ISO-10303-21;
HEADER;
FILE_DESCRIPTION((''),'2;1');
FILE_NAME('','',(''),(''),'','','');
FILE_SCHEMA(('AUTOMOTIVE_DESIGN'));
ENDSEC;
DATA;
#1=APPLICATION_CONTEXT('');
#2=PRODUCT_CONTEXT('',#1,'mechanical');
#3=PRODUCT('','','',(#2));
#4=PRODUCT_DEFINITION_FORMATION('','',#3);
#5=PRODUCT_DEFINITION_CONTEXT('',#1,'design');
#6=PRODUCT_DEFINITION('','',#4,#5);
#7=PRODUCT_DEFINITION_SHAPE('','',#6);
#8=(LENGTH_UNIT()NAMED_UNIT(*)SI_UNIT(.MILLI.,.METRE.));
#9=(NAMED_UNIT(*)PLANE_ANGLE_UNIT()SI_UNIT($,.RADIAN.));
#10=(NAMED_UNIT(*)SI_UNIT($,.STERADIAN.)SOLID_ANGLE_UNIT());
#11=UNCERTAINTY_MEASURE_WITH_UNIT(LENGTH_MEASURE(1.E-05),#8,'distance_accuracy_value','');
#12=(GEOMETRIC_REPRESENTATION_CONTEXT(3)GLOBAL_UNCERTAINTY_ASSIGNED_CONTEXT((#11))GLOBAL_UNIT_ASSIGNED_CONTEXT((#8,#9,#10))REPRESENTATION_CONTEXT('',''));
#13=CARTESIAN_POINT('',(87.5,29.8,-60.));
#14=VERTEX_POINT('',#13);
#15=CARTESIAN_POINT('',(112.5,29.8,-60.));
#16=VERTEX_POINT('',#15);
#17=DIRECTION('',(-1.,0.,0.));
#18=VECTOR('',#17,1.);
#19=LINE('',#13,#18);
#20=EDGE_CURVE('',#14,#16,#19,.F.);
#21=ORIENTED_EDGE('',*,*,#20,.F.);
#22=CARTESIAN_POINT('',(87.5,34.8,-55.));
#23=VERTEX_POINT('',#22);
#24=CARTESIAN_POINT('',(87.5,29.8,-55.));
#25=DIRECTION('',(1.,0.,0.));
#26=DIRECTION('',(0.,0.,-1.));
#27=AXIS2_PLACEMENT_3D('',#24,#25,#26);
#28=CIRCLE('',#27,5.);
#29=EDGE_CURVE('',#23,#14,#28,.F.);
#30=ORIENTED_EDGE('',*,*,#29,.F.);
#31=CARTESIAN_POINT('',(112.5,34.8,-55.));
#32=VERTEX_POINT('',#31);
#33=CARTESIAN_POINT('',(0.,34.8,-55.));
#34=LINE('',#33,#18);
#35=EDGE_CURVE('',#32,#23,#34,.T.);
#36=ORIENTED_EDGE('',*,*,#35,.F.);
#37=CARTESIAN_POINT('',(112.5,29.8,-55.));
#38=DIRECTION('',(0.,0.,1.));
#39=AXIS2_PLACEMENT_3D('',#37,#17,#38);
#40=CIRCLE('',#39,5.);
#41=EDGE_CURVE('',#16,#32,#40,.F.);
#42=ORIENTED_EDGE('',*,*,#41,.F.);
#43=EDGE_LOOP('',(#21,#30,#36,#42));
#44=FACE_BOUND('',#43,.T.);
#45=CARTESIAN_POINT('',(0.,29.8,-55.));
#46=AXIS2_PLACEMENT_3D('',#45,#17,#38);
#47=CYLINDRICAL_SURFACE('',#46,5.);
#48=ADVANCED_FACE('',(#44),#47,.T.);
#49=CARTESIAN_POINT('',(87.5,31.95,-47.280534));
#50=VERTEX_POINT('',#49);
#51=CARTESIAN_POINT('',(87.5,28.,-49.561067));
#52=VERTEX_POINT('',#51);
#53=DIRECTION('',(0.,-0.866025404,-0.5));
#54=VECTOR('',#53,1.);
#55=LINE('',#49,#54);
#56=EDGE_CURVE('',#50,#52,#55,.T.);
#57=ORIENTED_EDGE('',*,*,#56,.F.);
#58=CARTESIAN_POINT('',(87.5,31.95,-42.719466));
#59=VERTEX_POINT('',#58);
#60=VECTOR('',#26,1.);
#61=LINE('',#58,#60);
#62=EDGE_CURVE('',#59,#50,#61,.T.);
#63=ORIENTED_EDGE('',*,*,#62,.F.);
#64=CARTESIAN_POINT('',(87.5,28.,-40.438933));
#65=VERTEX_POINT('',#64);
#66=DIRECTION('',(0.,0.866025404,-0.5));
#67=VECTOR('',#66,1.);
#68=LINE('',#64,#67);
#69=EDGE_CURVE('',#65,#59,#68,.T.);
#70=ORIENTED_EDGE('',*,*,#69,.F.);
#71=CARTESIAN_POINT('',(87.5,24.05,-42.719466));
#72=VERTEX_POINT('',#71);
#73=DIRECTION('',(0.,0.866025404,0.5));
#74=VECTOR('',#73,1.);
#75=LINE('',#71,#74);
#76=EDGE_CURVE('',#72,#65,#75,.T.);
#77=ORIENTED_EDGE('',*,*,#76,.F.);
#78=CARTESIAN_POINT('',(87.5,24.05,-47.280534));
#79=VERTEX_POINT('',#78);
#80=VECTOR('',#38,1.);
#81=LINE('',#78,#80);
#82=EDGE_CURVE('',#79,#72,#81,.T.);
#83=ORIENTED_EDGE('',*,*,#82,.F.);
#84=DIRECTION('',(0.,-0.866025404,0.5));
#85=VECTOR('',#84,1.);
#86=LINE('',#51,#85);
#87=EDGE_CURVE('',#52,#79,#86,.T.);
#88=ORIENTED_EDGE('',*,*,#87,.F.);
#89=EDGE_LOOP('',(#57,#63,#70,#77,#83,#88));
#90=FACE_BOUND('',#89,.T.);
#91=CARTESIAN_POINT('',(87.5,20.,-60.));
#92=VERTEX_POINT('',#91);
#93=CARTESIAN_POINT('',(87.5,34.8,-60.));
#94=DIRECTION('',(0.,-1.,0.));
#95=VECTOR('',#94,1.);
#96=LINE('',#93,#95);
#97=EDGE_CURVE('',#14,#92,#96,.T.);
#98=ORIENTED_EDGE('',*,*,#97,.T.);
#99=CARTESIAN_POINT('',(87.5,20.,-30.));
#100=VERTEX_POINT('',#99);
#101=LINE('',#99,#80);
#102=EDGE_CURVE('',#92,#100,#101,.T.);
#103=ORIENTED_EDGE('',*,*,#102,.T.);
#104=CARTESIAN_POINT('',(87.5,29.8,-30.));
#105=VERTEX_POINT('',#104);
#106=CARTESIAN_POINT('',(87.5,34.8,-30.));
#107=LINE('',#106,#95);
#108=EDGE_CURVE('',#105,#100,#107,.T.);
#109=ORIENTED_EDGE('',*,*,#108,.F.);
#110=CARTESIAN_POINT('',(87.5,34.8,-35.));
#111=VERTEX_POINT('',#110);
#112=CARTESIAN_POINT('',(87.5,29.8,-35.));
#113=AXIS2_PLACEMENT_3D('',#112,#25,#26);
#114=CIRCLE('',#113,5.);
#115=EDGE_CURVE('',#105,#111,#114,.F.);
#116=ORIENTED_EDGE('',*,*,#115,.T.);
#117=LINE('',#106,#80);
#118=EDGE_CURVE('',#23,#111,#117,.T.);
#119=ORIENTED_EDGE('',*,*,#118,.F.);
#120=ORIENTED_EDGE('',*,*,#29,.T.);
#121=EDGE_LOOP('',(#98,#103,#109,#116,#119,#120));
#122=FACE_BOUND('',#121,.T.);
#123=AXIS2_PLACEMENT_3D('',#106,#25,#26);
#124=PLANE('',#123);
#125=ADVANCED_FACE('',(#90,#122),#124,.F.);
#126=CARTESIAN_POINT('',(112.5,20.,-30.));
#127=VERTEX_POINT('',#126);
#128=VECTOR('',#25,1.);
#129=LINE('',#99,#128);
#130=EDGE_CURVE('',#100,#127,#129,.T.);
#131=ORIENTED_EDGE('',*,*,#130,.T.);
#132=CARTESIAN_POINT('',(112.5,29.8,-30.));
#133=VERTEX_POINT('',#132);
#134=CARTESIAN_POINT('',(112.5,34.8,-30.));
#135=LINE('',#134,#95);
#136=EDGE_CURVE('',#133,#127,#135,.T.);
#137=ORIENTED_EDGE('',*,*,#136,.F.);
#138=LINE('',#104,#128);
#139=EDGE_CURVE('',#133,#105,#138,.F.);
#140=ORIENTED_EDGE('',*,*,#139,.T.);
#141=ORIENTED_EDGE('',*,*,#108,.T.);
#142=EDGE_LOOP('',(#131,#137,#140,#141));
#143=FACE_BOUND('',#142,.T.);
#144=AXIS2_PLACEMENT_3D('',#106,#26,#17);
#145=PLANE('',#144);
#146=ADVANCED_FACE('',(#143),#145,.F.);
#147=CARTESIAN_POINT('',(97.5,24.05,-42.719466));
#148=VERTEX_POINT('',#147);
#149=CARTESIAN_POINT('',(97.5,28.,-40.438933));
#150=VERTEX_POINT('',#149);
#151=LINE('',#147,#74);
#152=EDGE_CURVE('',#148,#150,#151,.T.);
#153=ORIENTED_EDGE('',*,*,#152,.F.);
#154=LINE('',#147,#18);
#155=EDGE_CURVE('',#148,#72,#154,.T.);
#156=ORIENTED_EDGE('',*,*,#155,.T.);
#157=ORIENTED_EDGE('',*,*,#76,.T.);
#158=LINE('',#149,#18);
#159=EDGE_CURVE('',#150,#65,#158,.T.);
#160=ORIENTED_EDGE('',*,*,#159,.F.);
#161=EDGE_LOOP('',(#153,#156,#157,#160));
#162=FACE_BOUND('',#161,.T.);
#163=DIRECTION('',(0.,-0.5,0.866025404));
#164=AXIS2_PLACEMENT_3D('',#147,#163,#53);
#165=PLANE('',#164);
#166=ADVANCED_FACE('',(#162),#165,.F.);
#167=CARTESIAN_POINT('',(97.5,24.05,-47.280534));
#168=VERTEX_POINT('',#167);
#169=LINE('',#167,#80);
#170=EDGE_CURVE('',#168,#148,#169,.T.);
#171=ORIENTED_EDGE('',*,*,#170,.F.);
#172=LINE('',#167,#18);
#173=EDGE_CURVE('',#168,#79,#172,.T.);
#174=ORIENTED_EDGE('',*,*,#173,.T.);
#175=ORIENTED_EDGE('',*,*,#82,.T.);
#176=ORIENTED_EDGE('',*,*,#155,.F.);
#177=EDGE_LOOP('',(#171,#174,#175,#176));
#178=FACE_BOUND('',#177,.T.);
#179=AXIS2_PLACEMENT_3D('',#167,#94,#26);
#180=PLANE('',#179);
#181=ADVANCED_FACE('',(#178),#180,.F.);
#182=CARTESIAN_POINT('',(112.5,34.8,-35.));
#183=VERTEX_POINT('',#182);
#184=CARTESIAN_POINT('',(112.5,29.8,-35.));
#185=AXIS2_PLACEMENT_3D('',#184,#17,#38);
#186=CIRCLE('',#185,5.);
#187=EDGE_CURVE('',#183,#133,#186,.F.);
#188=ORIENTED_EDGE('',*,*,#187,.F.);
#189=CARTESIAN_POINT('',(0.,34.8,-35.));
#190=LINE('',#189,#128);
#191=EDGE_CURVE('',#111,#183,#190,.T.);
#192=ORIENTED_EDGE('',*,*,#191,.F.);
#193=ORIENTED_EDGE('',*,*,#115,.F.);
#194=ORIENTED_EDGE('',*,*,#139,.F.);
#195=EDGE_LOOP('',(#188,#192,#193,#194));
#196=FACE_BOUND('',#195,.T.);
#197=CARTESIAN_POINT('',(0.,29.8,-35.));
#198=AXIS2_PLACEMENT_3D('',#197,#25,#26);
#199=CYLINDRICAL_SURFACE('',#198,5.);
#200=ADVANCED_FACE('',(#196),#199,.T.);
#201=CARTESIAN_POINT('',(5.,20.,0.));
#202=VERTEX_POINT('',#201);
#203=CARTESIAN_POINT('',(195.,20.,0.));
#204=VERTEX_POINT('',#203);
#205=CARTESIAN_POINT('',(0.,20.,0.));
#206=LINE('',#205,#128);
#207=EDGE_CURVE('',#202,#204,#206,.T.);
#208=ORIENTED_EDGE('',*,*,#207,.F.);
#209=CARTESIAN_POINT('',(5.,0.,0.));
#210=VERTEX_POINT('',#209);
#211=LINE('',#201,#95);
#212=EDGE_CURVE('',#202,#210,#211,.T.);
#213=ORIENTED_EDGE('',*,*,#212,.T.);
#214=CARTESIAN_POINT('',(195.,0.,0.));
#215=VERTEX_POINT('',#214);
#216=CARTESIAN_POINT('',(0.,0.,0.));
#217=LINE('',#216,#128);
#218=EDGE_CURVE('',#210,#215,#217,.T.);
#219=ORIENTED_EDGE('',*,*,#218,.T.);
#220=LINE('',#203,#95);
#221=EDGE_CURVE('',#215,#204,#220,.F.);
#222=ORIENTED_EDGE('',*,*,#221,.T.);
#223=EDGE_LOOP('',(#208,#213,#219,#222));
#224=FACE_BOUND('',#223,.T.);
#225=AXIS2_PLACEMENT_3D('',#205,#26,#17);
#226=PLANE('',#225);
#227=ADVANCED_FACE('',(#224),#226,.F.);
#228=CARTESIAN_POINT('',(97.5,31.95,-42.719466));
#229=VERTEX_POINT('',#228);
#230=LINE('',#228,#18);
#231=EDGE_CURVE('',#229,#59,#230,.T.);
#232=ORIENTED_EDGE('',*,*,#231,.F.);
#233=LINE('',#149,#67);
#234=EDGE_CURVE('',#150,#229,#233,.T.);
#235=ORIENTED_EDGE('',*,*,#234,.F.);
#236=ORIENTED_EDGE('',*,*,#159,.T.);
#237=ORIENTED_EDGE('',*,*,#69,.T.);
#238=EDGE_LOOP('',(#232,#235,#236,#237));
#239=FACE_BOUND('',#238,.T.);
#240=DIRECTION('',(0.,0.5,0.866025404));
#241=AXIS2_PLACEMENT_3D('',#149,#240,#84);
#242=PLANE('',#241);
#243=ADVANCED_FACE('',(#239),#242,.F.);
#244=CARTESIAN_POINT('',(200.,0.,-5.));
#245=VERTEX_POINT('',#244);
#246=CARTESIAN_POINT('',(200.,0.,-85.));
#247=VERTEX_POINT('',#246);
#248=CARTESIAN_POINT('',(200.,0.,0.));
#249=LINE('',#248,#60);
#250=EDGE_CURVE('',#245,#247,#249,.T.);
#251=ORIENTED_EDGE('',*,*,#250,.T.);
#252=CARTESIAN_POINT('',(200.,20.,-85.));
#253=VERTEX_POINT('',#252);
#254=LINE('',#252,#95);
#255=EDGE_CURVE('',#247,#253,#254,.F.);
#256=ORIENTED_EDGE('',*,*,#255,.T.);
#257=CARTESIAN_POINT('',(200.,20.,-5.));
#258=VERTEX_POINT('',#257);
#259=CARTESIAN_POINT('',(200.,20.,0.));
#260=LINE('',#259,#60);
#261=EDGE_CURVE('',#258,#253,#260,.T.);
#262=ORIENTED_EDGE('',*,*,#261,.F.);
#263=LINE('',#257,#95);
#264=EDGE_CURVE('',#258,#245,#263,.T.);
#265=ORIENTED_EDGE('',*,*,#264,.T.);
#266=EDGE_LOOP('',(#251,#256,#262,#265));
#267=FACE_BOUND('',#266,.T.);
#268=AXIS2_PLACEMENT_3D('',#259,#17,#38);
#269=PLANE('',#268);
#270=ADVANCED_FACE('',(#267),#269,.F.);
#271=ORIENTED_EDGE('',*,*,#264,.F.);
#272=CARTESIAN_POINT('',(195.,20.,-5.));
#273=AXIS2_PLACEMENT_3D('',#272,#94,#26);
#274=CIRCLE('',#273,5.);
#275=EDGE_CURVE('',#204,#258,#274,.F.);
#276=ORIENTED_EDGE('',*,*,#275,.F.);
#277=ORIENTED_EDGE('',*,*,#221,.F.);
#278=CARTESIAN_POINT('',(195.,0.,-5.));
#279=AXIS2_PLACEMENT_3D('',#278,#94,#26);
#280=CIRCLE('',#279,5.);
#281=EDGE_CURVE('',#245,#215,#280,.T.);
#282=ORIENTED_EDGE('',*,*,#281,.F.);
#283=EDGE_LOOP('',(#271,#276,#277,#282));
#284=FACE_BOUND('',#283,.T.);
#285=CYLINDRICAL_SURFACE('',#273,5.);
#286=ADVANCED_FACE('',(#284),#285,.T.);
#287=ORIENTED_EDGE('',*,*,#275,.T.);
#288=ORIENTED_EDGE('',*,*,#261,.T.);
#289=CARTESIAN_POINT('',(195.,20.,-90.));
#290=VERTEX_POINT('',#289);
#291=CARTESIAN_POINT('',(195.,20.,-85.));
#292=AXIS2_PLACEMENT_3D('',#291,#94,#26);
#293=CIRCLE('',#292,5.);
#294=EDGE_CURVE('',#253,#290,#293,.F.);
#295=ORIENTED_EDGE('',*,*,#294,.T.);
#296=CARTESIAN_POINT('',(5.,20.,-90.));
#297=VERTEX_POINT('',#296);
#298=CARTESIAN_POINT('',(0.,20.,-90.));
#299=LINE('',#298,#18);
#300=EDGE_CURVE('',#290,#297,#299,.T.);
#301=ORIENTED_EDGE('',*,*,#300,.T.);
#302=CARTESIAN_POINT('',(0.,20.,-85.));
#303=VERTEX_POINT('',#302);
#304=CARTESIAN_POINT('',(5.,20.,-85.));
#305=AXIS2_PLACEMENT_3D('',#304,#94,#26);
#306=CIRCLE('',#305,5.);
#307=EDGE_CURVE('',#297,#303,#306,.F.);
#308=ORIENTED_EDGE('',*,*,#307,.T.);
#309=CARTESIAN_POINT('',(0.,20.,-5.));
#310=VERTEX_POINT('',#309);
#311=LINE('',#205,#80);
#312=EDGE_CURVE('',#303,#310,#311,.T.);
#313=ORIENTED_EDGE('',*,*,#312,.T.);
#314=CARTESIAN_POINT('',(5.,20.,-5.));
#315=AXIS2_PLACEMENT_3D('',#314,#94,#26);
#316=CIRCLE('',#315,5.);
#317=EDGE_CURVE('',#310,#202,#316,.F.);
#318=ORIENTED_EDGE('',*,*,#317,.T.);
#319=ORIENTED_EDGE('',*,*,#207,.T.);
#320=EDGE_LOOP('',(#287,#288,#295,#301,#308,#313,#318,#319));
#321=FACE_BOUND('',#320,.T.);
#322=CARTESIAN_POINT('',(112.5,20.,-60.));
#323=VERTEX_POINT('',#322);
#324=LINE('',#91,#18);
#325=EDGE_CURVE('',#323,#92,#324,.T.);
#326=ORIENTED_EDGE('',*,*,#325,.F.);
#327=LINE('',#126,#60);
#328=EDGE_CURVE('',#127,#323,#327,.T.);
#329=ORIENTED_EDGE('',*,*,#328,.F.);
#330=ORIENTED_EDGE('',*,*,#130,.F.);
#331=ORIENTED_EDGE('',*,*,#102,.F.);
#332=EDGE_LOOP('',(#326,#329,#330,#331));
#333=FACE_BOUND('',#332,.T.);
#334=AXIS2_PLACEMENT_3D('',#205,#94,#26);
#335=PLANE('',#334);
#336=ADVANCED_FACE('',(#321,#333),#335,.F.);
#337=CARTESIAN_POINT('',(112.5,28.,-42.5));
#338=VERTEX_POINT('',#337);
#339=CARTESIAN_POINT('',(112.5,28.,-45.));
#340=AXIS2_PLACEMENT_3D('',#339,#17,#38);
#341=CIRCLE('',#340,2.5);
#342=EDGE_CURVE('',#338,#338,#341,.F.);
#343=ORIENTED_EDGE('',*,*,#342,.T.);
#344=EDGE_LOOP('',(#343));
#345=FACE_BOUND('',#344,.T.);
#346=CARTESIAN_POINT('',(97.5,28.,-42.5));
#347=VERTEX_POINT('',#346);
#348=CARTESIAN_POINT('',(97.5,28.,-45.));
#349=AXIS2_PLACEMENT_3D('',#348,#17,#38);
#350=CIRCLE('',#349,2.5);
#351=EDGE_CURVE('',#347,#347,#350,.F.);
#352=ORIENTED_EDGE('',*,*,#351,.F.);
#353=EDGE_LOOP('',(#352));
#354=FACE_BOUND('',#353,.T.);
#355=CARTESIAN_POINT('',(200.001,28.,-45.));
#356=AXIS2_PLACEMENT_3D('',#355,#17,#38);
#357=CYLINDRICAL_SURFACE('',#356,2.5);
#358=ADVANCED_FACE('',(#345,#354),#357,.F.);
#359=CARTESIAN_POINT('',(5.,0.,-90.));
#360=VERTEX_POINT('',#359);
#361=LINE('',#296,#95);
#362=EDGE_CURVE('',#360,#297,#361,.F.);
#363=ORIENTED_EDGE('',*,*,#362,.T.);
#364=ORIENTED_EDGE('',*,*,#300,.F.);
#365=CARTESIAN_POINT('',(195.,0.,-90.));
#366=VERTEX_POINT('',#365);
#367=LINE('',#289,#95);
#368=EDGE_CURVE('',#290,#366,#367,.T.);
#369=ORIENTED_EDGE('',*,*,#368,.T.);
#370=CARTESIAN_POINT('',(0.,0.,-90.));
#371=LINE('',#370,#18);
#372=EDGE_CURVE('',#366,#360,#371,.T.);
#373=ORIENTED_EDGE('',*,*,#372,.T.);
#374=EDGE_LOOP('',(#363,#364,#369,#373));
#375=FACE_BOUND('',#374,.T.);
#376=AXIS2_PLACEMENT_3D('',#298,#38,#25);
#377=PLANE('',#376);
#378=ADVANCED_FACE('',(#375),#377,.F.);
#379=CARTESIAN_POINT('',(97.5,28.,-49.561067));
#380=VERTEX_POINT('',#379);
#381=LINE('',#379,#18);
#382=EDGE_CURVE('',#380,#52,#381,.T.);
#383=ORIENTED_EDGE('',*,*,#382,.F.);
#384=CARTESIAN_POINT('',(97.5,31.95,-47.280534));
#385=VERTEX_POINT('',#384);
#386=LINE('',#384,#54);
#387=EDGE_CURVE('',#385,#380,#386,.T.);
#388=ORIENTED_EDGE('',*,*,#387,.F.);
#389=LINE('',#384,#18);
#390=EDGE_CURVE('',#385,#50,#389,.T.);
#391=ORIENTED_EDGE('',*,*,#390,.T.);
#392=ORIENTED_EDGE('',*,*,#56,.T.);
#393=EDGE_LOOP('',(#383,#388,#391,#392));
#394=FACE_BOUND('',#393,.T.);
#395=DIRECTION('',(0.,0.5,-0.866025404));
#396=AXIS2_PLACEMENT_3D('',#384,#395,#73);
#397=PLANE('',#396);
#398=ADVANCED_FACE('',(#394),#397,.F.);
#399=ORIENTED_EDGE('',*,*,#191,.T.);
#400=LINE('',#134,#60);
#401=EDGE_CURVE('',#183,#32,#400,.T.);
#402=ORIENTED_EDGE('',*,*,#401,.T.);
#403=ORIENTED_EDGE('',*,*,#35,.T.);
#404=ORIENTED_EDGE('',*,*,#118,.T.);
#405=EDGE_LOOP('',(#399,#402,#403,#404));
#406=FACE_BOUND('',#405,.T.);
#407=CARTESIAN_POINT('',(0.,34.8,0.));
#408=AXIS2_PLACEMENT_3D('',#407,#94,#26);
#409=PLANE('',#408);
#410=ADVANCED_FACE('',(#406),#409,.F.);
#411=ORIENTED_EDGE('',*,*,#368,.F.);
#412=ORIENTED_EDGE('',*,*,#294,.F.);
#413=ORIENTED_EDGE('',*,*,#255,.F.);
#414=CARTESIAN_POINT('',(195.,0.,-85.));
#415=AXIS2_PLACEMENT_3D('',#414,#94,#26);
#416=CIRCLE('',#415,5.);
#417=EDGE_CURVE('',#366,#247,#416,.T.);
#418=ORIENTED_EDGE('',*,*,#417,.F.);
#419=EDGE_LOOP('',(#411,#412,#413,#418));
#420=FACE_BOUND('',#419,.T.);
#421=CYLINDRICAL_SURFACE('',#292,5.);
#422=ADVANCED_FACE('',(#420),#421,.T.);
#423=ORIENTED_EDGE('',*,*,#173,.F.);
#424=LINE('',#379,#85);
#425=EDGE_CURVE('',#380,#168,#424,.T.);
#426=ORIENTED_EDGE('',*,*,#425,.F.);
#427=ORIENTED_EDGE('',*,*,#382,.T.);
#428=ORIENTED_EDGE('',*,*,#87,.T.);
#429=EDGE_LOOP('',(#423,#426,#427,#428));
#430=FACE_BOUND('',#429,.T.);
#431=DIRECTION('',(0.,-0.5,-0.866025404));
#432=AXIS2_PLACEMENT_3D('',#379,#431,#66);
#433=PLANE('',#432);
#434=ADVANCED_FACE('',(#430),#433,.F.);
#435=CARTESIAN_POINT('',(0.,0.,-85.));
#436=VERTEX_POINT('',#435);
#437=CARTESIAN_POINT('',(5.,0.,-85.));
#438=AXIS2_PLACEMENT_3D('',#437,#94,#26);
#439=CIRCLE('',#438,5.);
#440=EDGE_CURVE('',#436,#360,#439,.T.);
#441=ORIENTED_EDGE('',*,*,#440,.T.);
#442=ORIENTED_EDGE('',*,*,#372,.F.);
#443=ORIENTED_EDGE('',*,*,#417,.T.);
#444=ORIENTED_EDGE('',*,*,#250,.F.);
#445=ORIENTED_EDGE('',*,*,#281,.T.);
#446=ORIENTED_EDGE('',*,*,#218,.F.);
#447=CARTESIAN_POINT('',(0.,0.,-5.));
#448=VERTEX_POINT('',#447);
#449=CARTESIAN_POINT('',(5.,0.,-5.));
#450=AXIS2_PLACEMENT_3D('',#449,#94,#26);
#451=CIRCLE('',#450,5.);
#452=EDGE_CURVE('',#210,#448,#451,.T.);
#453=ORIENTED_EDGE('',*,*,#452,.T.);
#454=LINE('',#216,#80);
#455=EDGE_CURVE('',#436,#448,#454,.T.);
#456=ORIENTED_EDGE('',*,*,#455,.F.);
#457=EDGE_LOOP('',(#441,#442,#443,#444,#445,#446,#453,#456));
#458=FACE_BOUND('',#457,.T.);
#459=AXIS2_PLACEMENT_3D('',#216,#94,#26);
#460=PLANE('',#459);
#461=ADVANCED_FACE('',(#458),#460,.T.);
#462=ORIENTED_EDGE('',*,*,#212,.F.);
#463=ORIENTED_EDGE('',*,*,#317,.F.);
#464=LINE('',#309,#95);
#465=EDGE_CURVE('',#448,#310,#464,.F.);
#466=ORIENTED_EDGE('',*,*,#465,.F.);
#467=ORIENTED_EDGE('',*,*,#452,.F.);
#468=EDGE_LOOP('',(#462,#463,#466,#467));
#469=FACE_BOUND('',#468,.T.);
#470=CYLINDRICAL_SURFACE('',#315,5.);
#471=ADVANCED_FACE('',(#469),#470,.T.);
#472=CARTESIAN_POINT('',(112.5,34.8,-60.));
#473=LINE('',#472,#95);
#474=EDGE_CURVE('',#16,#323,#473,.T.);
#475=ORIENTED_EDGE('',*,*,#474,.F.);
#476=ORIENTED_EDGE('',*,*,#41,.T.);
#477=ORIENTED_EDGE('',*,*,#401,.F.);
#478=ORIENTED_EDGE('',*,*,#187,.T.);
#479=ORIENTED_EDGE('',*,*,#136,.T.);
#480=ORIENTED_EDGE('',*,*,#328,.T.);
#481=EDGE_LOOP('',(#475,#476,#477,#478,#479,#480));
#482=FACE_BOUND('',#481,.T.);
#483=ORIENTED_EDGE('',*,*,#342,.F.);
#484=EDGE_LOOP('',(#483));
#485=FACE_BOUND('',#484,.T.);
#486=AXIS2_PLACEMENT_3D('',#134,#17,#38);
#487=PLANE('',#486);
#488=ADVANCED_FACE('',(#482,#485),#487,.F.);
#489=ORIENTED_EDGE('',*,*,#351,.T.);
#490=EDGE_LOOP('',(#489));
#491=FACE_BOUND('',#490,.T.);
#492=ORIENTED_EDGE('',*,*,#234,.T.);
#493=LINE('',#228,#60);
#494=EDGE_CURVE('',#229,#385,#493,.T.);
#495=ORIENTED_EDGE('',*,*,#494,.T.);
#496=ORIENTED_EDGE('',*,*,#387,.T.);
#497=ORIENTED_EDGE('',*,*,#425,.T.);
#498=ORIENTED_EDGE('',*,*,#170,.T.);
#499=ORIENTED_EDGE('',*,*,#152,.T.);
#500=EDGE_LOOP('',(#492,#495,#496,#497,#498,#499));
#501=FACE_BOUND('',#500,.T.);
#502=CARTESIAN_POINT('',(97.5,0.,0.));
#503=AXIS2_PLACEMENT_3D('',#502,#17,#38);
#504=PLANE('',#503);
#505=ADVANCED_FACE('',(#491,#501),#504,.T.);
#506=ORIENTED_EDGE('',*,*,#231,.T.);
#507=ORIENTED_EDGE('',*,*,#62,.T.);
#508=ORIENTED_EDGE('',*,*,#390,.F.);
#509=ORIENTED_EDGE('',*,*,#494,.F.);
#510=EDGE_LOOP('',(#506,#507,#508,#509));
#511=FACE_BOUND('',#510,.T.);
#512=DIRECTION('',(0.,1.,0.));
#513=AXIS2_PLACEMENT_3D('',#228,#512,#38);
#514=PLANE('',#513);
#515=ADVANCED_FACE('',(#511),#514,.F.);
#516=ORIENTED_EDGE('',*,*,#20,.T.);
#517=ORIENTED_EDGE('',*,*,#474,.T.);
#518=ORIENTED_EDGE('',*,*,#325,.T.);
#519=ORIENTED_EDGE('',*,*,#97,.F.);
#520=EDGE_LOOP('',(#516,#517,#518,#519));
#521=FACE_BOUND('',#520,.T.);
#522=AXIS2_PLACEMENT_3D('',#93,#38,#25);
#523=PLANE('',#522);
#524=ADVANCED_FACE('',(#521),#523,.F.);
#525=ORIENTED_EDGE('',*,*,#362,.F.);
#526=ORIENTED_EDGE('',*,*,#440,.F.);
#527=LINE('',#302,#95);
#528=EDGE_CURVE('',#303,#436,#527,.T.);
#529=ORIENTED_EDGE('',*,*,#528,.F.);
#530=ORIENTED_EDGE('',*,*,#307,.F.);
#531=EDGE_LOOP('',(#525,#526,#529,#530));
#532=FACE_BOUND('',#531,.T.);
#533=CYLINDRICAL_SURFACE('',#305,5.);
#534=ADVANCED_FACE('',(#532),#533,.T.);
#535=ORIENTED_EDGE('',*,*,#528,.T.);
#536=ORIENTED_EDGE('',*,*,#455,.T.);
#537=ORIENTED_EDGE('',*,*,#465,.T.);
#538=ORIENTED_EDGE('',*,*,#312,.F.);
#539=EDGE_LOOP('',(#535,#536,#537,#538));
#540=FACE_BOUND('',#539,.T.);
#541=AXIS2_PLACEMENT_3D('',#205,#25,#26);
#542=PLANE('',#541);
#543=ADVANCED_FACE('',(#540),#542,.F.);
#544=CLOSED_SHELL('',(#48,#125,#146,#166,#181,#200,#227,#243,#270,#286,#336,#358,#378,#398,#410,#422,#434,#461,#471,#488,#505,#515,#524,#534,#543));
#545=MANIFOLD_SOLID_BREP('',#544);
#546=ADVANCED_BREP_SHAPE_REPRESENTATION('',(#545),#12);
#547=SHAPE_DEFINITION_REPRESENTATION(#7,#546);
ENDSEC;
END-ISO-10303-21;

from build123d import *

# Parameters (mm, degrees)
SKETCH1_W           = 200
SKETCH1_H           = 90
BOSS_EXTRUDE1_DEPTH = 20
FILLET1_R           = 5
SKETCH2_W           = 25
SKETCH2_H           = 30
BOSS_EXTRUDE2_DEPTH = 14.8
FILLET2_R           = 5
CUT_EXTRUDE1_DEPTH  = 10
CUT_EXTRUDE2_REACH  = 150.214
SKETCH4_R           = 2.5


with BuildPart() as part:
    # Sketch1 → Boss-Extrude1 (new body)
    with BuildSketch(Plane(origin=(0, 0, 0), x_dir=(1, 0, 0), z_dir=(0, 1, 0))):
        with Locations((100, 45)):
            Rectangle(SKETCH1_W, SKETCH1_H)
    extrude(amount=BOSS_EXTRUDE1_DEPTH)

    # Fillet1
    fillet1_edges = [part.edges().sort_by_distance(p)[0] for p in [
        (0, 10, -90),
        (200, 10, -90),
        (200, 10, 0),
        (0, 10, 0),
    ]]
    fillet(fillet1_edges, radius=FILLET1_R)

    # Sketch2 → Boss-Extrude2 (add)
    with BuildSketch(Plane(origin=(0, 20, 0), x_dir=(1, 0, 0), z_dir=(0, 1, 0))):
        with Locations((100, 45)):
            Rectangle(SKETCH2_W, SKETCH2_H)
    extrude(amount=BOSS_EXTRUDE2_DEPTH)

    # Fillet2
    fillet2_edges = [part.edges().sort_by_distance(p)[0] for p in [
        (100, 34.8, -30),
        (100, 34.8, -60),
    ]]
    fillet(fillet2_edges, radius=FILLET2_R)

    # Sketch3 → Cut-Extrude1 (cut)
    with BuildSketch(Plane.ZY.offset(-87.5)):
        Polygon((-49.561067127, 28), (-47.280533563, 24.05), (-42.719466437, 24.05), (-40.438932873, 28), (-42.719466437, 31.95), (-47.280533563, 31.95), align=None)
    extrude(amount=-CUT_EXTRUDE1_DEPTH, mode=Mode.SUBTRACT)

    # Sketch4 → Cut-Extrude2 (cut, up to next)
    with BuildSketch(Plane.ZY.offset(-87.5), mode=Mode.PRIVATE) as cut_extrude2_sk1:
        with Locations((-45, 28)):
            Circle(SKETCH4_R)
    cut_extrude2_tool1 = extrude(cut_extrude2_sk1.sketch, amount=-CUT_EXTRUDE2_REACH, mode=Mode.PRIVATE) & part.part
    add(cut_extrude2_tool1.solids().sort_by_distance((87.5, 28, -45))[0], mode=Mode.SUBTRACT)


solid = part.part
